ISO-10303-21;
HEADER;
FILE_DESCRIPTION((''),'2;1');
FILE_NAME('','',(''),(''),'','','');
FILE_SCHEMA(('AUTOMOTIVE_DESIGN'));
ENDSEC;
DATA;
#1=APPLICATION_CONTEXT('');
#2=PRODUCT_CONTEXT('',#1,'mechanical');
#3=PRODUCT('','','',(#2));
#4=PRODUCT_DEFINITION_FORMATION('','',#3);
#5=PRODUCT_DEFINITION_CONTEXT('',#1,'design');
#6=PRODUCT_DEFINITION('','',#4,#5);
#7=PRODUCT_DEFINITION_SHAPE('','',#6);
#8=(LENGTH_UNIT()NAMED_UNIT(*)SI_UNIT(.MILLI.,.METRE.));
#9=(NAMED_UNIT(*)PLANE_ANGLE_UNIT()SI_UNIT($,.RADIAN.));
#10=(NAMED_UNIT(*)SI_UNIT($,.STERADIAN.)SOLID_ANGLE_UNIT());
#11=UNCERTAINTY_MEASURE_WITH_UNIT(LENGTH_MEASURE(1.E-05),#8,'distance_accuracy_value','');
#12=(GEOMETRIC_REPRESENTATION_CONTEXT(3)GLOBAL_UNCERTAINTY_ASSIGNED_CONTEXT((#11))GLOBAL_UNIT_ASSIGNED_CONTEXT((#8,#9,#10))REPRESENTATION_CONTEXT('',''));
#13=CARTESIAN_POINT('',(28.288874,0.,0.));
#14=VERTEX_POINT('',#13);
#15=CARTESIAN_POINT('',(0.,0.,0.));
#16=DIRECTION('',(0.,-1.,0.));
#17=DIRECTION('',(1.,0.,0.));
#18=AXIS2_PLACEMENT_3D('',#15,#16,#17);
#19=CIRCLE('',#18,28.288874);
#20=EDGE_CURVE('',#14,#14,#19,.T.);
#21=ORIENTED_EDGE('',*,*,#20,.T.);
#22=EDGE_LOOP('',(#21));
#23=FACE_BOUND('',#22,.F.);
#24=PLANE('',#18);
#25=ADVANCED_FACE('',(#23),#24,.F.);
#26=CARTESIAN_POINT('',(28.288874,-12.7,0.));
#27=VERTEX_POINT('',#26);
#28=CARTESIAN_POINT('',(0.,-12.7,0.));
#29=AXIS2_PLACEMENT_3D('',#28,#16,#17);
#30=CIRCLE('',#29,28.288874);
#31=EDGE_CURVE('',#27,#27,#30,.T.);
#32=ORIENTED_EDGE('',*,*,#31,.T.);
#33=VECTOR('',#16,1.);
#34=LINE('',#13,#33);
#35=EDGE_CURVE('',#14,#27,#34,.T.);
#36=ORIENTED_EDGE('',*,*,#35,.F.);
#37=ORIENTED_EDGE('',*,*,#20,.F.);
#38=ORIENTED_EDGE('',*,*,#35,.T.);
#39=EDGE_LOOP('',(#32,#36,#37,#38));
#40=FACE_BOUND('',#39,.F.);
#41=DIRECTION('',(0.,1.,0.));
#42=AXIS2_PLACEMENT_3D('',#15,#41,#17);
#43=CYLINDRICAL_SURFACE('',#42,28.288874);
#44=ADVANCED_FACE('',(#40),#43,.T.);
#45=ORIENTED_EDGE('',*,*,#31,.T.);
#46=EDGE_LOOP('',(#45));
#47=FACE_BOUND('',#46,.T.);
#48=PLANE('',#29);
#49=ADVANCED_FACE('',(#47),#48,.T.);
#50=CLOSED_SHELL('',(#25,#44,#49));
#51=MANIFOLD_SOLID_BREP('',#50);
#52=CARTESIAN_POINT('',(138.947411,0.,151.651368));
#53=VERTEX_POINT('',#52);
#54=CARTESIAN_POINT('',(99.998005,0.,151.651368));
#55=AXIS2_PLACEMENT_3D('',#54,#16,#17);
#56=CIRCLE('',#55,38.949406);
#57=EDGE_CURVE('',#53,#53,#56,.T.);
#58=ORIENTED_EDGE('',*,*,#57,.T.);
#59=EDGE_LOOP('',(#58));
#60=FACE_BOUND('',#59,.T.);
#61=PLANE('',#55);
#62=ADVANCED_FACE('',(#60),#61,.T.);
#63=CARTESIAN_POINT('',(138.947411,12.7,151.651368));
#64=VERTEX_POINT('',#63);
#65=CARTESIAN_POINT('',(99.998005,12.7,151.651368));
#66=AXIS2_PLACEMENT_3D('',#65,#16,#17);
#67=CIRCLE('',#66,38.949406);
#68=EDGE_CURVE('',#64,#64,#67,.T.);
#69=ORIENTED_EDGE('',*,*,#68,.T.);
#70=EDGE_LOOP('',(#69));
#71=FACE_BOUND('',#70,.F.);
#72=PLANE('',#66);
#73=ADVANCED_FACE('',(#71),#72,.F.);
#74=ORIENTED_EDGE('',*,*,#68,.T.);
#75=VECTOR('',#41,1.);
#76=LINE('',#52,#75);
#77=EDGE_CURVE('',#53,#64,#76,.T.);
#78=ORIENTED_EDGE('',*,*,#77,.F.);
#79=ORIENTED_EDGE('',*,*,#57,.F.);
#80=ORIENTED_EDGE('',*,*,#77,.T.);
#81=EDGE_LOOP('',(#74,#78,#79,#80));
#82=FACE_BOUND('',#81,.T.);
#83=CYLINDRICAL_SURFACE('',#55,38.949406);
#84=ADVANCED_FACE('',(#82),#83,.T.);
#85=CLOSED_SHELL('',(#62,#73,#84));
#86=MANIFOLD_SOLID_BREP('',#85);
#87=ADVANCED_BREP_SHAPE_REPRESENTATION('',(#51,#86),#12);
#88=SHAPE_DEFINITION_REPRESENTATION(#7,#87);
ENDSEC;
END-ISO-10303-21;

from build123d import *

# Parameters (mm, degrees)
F0_R     = 28.288874
F2_DEPTH = 12.7
F1_R     = 38.949406
F3_DEPTH = 12.7


with BuildPart() as f2:
    # F0 (on Front) → F2 (new body)
    with BuildSketch(Plane.XZ):
        Circle(F0_R)
    extrude(amount=F2_DEPTH)


with BuildPart() as f3:
    # F1 (on Front) → F3 (new body)
    with BuildSketch(Plane.XZ):
        with Locations((99.998005, 151.651368)):
            Circle(F1_R)
    extrude(amount=-F3_DEPTH)


solid = Compound([f2.part, f3.part])
